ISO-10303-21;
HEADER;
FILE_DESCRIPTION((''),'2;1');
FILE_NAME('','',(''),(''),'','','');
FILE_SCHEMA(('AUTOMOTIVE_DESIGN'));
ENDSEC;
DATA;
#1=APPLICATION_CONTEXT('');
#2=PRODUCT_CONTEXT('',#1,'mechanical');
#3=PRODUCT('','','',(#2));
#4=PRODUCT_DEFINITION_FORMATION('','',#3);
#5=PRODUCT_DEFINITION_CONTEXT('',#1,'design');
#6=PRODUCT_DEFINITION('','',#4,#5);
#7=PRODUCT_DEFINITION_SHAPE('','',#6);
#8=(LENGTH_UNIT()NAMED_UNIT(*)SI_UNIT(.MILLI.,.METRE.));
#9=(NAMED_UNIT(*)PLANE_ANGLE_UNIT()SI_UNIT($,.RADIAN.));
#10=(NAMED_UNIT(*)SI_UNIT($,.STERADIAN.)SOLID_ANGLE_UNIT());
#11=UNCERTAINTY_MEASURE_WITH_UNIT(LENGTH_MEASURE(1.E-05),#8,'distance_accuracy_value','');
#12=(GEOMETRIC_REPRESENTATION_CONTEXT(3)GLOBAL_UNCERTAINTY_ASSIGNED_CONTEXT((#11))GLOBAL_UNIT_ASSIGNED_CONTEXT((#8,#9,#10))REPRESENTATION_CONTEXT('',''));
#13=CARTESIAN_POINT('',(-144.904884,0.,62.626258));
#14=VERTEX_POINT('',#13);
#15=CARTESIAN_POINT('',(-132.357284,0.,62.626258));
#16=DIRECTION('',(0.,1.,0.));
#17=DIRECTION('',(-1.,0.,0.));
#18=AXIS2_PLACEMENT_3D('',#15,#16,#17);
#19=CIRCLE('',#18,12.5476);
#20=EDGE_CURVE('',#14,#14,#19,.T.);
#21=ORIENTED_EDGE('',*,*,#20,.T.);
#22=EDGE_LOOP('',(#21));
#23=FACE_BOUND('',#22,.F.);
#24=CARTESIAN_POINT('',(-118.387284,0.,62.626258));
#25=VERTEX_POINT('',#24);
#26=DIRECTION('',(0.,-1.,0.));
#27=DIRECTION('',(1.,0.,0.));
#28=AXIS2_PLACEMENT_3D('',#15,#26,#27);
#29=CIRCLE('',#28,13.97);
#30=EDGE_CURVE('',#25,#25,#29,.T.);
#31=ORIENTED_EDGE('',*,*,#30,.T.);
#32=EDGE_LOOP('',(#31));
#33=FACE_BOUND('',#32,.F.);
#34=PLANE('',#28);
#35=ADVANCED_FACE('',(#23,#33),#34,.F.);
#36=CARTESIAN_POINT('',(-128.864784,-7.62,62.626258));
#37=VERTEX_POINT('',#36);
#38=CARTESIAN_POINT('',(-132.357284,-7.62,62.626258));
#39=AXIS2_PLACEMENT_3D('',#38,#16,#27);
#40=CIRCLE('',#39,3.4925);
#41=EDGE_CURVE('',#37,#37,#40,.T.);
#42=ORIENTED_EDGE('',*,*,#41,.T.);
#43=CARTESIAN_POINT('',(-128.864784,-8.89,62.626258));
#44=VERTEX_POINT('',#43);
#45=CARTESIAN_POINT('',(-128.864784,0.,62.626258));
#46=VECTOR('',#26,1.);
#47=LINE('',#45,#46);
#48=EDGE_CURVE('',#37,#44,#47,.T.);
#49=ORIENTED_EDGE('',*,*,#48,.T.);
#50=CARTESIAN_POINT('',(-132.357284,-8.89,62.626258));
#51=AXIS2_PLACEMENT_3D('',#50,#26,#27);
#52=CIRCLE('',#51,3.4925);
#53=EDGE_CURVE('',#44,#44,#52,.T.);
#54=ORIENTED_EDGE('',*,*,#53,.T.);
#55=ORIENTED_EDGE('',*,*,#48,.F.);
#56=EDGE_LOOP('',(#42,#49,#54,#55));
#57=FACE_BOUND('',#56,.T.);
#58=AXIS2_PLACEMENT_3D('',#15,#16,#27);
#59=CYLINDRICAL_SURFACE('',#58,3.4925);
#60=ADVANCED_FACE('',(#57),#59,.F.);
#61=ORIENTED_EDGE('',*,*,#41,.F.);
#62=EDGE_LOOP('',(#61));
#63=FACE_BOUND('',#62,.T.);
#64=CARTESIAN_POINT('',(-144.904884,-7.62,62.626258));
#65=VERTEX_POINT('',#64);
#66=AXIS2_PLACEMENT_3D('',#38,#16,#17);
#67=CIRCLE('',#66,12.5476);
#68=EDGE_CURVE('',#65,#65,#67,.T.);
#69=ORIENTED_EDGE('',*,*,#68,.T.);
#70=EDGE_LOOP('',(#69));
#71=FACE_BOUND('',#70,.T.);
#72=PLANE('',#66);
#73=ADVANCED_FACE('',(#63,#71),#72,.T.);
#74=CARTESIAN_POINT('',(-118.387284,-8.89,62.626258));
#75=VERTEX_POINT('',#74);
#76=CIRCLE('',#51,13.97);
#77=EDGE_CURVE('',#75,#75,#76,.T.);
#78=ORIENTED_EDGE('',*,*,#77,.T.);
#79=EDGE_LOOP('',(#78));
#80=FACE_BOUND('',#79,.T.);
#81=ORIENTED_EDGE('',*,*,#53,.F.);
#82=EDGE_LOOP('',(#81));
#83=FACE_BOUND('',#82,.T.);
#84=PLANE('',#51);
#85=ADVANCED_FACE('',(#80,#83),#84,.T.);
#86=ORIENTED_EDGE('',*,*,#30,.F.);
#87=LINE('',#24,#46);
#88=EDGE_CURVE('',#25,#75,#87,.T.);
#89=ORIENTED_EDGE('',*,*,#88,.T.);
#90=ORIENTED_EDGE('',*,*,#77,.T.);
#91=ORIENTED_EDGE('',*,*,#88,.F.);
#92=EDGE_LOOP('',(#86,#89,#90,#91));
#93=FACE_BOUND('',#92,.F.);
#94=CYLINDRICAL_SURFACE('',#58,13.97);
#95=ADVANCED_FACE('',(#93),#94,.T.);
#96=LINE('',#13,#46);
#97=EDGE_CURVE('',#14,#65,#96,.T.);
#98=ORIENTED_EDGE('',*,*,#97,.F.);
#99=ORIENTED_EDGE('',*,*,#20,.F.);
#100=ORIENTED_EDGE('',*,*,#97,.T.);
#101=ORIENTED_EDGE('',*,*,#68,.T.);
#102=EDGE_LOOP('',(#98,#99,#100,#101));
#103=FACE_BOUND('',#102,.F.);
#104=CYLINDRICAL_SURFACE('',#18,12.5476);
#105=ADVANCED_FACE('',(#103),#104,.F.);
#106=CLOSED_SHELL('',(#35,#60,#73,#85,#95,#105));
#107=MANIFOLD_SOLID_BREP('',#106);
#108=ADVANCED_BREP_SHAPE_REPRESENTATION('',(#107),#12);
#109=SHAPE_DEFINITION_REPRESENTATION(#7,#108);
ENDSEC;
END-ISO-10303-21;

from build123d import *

# Parameters (mm, degrees)
F0_R     = 13.97
F0_R_2   = 3.4925
F1_DEPTH = 8.89
F2_R     = 12.5476
F3_DEPTH = 7.62


with BuildPart() as f1:
    # F0 (on Front) → F1 (new body)
    with BuildSketch(Plane.XZ):
        with Locations((-132.357284, 62.626258)):
            Circle(F0_R)
        with Locations((-132.357284, 62.626258)):
            Circle(F0_R_2, mode=Mode.SUBTRACT)
    extrude(amount=F1_DEPTH)

    # F2 (on face) → F3 (cut)
    with BuildSketch(Plane(origin=(0, 0, 0), x_dir=(-1, 0, 0), z_dir=(0, 1, 0))):
        with Locations((132.357284, 62.626258)):
            Circle(F2_R)
    extrude(amount=-F3_DEPTH, mode=Mode.SUBTRACT)


solid = f1.part
